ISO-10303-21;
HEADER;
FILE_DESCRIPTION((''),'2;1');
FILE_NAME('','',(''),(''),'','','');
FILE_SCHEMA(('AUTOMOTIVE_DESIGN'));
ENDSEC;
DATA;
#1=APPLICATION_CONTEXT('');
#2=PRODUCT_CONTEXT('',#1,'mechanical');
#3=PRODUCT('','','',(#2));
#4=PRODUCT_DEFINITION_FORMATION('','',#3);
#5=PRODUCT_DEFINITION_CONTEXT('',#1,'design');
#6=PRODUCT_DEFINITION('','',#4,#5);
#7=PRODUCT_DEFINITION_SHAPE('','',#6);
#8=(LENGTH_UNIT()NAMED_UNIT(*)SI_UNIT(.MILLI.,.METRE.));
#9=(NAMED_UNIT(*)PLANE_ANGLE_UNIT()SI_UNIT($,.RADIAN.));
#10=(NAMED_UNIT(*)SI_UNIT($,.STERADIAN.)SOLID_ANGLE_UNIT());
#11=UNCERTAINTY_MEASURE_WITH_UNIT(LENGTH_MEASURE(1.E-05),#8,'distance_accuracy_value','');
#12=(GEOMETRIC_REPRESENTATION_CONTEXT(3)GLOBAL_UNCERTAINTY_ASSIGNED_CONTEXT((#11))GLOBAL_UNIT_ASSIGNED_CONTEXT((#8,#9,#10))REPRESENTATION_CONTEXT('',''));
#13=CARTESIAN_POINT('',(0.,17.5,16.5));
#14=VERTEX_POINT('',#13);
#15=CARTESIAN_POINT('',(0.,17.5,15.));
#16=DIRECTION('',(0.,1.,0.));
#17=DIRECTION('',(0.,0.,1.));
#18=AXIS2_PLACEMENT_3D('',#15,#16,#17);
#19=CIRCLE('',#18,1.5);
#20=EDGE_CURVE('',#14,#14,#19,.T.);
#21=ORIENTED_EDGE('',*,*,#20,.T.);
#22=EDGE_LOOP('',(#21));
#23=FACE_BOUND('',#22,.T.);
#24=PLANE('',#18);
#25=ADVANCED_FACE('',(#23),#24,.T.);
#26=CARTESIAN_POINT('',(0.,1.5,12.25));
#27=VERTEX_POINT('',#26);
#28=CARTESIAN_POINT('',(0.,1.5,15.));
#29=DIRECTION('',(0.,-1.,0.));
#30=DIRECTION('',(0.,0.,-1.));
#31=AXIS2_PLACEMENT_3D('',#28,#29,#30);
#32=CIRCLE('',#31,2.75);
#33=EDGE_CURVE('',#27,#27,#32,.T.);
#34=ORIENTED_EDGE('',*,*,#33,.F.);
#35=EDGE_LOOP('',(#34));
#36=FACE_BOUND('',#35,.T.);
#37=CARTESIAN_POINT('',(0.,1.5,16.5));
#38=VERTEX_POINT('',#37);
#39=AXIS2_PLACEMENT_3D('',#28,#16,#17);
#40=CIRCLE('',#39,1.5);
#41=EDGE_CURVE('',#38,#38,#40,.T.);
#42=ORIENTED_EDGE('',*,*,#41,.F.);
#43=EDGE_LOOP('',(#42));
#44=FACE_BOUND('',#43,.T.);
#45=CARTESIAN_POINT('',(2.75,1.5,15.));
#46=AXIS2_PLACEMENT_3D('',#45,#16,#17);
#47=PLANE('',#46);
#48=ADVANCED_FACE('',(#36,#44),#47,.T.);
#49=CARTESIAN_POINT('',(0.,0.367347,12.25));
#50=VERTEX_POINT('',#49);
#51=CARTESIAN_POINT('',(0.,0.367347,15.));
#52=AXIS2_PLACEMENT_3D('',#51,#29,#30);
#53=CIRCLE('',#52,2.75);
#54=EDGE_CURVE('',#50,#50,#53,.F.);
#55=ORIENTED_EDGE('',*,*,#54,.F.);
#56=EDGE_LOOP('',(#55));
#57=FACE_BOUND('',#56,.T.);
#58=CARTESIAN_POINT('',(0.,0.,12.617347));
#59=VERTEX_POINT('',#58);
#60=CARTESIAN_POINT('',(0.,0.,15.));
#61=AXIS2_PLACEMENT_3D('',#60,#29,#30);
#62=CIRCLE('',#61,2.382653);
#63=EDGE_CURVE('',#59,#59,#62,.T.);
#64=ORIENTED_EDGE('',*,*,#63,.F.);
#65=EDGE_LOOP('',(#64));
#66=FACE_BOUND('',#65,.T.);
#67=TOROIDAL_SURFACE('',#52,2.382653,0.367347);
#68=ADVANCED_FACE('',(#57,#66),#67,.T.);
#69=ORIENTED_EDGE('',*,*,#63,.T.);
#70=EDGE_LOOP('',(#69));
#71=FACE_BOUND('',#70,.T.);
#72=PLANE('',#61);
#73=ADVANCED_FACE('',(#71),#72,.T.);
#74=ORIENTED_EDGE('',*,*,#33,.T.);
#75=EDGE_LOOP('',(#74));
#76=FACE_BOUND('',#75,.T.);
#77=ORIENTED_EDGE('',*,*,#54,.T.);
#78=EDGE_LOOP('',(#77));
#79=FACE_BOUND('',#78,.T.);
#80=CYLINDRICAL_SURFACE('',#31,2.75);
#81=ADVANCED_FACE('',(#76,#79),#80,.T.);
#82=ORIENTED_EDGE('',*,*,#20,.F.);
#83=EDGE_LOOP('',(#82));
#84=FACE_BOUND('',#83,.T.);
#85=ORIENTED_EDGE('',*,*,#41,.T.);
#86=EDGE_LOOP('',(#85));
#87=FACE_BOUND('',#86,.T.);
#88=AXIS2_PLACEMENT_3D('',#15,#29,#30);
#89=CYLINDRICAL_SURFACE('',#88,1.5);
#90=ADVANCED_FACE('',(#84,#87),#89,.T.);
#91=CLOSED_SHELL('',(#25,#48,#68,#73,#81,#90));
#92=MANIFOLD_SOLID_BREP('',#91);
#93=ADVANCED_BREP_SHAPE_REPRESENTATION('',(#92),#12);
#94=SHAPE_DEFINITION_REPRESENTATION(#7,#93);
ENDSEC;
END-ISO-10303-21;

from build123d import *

# Parameters (mm, degrees)
SKETCH_1_W      = 2.75
SKETCH_1_H      = 1.5
SKETCH_2_R      = 1.5
EXTRUDE_1_DEPTH = 16
FILLET_1_R      = 0.367346939


with BuildPart() as part:
    # 草图1 → 旋转1 (revolve)
    with BuildSketch(Plane.XY.offset(15)):
        with Locations((1.375, 0.75)):
            Rectangle(SKETCH_1_W, SKETCH_1_H)
    revolve(axis=Axis((0, 1.5, 15), (0, -1, 0)))

    # 草图2 → 凸台-拉伸1 (add)
    with BuildSketch(Plane(origin=(0, 1.5, 0), x_dir=(-1, 0, 0), z_dir=(0, 1, 0))):
        with Locations((0, 15)):
            Circle(SKETCH_2_R)
    extrude(amount=EXTRUDE_1_DEPTH)

    # 圆角1
    fillet_1_edges = [part.edges().sort_by_distance(p)[0] for p in [
        (-2.75, 0, 15),
    ]]
    fillet(fillet_1_edges, radius=FILLET_1_R)


solid = part.part
